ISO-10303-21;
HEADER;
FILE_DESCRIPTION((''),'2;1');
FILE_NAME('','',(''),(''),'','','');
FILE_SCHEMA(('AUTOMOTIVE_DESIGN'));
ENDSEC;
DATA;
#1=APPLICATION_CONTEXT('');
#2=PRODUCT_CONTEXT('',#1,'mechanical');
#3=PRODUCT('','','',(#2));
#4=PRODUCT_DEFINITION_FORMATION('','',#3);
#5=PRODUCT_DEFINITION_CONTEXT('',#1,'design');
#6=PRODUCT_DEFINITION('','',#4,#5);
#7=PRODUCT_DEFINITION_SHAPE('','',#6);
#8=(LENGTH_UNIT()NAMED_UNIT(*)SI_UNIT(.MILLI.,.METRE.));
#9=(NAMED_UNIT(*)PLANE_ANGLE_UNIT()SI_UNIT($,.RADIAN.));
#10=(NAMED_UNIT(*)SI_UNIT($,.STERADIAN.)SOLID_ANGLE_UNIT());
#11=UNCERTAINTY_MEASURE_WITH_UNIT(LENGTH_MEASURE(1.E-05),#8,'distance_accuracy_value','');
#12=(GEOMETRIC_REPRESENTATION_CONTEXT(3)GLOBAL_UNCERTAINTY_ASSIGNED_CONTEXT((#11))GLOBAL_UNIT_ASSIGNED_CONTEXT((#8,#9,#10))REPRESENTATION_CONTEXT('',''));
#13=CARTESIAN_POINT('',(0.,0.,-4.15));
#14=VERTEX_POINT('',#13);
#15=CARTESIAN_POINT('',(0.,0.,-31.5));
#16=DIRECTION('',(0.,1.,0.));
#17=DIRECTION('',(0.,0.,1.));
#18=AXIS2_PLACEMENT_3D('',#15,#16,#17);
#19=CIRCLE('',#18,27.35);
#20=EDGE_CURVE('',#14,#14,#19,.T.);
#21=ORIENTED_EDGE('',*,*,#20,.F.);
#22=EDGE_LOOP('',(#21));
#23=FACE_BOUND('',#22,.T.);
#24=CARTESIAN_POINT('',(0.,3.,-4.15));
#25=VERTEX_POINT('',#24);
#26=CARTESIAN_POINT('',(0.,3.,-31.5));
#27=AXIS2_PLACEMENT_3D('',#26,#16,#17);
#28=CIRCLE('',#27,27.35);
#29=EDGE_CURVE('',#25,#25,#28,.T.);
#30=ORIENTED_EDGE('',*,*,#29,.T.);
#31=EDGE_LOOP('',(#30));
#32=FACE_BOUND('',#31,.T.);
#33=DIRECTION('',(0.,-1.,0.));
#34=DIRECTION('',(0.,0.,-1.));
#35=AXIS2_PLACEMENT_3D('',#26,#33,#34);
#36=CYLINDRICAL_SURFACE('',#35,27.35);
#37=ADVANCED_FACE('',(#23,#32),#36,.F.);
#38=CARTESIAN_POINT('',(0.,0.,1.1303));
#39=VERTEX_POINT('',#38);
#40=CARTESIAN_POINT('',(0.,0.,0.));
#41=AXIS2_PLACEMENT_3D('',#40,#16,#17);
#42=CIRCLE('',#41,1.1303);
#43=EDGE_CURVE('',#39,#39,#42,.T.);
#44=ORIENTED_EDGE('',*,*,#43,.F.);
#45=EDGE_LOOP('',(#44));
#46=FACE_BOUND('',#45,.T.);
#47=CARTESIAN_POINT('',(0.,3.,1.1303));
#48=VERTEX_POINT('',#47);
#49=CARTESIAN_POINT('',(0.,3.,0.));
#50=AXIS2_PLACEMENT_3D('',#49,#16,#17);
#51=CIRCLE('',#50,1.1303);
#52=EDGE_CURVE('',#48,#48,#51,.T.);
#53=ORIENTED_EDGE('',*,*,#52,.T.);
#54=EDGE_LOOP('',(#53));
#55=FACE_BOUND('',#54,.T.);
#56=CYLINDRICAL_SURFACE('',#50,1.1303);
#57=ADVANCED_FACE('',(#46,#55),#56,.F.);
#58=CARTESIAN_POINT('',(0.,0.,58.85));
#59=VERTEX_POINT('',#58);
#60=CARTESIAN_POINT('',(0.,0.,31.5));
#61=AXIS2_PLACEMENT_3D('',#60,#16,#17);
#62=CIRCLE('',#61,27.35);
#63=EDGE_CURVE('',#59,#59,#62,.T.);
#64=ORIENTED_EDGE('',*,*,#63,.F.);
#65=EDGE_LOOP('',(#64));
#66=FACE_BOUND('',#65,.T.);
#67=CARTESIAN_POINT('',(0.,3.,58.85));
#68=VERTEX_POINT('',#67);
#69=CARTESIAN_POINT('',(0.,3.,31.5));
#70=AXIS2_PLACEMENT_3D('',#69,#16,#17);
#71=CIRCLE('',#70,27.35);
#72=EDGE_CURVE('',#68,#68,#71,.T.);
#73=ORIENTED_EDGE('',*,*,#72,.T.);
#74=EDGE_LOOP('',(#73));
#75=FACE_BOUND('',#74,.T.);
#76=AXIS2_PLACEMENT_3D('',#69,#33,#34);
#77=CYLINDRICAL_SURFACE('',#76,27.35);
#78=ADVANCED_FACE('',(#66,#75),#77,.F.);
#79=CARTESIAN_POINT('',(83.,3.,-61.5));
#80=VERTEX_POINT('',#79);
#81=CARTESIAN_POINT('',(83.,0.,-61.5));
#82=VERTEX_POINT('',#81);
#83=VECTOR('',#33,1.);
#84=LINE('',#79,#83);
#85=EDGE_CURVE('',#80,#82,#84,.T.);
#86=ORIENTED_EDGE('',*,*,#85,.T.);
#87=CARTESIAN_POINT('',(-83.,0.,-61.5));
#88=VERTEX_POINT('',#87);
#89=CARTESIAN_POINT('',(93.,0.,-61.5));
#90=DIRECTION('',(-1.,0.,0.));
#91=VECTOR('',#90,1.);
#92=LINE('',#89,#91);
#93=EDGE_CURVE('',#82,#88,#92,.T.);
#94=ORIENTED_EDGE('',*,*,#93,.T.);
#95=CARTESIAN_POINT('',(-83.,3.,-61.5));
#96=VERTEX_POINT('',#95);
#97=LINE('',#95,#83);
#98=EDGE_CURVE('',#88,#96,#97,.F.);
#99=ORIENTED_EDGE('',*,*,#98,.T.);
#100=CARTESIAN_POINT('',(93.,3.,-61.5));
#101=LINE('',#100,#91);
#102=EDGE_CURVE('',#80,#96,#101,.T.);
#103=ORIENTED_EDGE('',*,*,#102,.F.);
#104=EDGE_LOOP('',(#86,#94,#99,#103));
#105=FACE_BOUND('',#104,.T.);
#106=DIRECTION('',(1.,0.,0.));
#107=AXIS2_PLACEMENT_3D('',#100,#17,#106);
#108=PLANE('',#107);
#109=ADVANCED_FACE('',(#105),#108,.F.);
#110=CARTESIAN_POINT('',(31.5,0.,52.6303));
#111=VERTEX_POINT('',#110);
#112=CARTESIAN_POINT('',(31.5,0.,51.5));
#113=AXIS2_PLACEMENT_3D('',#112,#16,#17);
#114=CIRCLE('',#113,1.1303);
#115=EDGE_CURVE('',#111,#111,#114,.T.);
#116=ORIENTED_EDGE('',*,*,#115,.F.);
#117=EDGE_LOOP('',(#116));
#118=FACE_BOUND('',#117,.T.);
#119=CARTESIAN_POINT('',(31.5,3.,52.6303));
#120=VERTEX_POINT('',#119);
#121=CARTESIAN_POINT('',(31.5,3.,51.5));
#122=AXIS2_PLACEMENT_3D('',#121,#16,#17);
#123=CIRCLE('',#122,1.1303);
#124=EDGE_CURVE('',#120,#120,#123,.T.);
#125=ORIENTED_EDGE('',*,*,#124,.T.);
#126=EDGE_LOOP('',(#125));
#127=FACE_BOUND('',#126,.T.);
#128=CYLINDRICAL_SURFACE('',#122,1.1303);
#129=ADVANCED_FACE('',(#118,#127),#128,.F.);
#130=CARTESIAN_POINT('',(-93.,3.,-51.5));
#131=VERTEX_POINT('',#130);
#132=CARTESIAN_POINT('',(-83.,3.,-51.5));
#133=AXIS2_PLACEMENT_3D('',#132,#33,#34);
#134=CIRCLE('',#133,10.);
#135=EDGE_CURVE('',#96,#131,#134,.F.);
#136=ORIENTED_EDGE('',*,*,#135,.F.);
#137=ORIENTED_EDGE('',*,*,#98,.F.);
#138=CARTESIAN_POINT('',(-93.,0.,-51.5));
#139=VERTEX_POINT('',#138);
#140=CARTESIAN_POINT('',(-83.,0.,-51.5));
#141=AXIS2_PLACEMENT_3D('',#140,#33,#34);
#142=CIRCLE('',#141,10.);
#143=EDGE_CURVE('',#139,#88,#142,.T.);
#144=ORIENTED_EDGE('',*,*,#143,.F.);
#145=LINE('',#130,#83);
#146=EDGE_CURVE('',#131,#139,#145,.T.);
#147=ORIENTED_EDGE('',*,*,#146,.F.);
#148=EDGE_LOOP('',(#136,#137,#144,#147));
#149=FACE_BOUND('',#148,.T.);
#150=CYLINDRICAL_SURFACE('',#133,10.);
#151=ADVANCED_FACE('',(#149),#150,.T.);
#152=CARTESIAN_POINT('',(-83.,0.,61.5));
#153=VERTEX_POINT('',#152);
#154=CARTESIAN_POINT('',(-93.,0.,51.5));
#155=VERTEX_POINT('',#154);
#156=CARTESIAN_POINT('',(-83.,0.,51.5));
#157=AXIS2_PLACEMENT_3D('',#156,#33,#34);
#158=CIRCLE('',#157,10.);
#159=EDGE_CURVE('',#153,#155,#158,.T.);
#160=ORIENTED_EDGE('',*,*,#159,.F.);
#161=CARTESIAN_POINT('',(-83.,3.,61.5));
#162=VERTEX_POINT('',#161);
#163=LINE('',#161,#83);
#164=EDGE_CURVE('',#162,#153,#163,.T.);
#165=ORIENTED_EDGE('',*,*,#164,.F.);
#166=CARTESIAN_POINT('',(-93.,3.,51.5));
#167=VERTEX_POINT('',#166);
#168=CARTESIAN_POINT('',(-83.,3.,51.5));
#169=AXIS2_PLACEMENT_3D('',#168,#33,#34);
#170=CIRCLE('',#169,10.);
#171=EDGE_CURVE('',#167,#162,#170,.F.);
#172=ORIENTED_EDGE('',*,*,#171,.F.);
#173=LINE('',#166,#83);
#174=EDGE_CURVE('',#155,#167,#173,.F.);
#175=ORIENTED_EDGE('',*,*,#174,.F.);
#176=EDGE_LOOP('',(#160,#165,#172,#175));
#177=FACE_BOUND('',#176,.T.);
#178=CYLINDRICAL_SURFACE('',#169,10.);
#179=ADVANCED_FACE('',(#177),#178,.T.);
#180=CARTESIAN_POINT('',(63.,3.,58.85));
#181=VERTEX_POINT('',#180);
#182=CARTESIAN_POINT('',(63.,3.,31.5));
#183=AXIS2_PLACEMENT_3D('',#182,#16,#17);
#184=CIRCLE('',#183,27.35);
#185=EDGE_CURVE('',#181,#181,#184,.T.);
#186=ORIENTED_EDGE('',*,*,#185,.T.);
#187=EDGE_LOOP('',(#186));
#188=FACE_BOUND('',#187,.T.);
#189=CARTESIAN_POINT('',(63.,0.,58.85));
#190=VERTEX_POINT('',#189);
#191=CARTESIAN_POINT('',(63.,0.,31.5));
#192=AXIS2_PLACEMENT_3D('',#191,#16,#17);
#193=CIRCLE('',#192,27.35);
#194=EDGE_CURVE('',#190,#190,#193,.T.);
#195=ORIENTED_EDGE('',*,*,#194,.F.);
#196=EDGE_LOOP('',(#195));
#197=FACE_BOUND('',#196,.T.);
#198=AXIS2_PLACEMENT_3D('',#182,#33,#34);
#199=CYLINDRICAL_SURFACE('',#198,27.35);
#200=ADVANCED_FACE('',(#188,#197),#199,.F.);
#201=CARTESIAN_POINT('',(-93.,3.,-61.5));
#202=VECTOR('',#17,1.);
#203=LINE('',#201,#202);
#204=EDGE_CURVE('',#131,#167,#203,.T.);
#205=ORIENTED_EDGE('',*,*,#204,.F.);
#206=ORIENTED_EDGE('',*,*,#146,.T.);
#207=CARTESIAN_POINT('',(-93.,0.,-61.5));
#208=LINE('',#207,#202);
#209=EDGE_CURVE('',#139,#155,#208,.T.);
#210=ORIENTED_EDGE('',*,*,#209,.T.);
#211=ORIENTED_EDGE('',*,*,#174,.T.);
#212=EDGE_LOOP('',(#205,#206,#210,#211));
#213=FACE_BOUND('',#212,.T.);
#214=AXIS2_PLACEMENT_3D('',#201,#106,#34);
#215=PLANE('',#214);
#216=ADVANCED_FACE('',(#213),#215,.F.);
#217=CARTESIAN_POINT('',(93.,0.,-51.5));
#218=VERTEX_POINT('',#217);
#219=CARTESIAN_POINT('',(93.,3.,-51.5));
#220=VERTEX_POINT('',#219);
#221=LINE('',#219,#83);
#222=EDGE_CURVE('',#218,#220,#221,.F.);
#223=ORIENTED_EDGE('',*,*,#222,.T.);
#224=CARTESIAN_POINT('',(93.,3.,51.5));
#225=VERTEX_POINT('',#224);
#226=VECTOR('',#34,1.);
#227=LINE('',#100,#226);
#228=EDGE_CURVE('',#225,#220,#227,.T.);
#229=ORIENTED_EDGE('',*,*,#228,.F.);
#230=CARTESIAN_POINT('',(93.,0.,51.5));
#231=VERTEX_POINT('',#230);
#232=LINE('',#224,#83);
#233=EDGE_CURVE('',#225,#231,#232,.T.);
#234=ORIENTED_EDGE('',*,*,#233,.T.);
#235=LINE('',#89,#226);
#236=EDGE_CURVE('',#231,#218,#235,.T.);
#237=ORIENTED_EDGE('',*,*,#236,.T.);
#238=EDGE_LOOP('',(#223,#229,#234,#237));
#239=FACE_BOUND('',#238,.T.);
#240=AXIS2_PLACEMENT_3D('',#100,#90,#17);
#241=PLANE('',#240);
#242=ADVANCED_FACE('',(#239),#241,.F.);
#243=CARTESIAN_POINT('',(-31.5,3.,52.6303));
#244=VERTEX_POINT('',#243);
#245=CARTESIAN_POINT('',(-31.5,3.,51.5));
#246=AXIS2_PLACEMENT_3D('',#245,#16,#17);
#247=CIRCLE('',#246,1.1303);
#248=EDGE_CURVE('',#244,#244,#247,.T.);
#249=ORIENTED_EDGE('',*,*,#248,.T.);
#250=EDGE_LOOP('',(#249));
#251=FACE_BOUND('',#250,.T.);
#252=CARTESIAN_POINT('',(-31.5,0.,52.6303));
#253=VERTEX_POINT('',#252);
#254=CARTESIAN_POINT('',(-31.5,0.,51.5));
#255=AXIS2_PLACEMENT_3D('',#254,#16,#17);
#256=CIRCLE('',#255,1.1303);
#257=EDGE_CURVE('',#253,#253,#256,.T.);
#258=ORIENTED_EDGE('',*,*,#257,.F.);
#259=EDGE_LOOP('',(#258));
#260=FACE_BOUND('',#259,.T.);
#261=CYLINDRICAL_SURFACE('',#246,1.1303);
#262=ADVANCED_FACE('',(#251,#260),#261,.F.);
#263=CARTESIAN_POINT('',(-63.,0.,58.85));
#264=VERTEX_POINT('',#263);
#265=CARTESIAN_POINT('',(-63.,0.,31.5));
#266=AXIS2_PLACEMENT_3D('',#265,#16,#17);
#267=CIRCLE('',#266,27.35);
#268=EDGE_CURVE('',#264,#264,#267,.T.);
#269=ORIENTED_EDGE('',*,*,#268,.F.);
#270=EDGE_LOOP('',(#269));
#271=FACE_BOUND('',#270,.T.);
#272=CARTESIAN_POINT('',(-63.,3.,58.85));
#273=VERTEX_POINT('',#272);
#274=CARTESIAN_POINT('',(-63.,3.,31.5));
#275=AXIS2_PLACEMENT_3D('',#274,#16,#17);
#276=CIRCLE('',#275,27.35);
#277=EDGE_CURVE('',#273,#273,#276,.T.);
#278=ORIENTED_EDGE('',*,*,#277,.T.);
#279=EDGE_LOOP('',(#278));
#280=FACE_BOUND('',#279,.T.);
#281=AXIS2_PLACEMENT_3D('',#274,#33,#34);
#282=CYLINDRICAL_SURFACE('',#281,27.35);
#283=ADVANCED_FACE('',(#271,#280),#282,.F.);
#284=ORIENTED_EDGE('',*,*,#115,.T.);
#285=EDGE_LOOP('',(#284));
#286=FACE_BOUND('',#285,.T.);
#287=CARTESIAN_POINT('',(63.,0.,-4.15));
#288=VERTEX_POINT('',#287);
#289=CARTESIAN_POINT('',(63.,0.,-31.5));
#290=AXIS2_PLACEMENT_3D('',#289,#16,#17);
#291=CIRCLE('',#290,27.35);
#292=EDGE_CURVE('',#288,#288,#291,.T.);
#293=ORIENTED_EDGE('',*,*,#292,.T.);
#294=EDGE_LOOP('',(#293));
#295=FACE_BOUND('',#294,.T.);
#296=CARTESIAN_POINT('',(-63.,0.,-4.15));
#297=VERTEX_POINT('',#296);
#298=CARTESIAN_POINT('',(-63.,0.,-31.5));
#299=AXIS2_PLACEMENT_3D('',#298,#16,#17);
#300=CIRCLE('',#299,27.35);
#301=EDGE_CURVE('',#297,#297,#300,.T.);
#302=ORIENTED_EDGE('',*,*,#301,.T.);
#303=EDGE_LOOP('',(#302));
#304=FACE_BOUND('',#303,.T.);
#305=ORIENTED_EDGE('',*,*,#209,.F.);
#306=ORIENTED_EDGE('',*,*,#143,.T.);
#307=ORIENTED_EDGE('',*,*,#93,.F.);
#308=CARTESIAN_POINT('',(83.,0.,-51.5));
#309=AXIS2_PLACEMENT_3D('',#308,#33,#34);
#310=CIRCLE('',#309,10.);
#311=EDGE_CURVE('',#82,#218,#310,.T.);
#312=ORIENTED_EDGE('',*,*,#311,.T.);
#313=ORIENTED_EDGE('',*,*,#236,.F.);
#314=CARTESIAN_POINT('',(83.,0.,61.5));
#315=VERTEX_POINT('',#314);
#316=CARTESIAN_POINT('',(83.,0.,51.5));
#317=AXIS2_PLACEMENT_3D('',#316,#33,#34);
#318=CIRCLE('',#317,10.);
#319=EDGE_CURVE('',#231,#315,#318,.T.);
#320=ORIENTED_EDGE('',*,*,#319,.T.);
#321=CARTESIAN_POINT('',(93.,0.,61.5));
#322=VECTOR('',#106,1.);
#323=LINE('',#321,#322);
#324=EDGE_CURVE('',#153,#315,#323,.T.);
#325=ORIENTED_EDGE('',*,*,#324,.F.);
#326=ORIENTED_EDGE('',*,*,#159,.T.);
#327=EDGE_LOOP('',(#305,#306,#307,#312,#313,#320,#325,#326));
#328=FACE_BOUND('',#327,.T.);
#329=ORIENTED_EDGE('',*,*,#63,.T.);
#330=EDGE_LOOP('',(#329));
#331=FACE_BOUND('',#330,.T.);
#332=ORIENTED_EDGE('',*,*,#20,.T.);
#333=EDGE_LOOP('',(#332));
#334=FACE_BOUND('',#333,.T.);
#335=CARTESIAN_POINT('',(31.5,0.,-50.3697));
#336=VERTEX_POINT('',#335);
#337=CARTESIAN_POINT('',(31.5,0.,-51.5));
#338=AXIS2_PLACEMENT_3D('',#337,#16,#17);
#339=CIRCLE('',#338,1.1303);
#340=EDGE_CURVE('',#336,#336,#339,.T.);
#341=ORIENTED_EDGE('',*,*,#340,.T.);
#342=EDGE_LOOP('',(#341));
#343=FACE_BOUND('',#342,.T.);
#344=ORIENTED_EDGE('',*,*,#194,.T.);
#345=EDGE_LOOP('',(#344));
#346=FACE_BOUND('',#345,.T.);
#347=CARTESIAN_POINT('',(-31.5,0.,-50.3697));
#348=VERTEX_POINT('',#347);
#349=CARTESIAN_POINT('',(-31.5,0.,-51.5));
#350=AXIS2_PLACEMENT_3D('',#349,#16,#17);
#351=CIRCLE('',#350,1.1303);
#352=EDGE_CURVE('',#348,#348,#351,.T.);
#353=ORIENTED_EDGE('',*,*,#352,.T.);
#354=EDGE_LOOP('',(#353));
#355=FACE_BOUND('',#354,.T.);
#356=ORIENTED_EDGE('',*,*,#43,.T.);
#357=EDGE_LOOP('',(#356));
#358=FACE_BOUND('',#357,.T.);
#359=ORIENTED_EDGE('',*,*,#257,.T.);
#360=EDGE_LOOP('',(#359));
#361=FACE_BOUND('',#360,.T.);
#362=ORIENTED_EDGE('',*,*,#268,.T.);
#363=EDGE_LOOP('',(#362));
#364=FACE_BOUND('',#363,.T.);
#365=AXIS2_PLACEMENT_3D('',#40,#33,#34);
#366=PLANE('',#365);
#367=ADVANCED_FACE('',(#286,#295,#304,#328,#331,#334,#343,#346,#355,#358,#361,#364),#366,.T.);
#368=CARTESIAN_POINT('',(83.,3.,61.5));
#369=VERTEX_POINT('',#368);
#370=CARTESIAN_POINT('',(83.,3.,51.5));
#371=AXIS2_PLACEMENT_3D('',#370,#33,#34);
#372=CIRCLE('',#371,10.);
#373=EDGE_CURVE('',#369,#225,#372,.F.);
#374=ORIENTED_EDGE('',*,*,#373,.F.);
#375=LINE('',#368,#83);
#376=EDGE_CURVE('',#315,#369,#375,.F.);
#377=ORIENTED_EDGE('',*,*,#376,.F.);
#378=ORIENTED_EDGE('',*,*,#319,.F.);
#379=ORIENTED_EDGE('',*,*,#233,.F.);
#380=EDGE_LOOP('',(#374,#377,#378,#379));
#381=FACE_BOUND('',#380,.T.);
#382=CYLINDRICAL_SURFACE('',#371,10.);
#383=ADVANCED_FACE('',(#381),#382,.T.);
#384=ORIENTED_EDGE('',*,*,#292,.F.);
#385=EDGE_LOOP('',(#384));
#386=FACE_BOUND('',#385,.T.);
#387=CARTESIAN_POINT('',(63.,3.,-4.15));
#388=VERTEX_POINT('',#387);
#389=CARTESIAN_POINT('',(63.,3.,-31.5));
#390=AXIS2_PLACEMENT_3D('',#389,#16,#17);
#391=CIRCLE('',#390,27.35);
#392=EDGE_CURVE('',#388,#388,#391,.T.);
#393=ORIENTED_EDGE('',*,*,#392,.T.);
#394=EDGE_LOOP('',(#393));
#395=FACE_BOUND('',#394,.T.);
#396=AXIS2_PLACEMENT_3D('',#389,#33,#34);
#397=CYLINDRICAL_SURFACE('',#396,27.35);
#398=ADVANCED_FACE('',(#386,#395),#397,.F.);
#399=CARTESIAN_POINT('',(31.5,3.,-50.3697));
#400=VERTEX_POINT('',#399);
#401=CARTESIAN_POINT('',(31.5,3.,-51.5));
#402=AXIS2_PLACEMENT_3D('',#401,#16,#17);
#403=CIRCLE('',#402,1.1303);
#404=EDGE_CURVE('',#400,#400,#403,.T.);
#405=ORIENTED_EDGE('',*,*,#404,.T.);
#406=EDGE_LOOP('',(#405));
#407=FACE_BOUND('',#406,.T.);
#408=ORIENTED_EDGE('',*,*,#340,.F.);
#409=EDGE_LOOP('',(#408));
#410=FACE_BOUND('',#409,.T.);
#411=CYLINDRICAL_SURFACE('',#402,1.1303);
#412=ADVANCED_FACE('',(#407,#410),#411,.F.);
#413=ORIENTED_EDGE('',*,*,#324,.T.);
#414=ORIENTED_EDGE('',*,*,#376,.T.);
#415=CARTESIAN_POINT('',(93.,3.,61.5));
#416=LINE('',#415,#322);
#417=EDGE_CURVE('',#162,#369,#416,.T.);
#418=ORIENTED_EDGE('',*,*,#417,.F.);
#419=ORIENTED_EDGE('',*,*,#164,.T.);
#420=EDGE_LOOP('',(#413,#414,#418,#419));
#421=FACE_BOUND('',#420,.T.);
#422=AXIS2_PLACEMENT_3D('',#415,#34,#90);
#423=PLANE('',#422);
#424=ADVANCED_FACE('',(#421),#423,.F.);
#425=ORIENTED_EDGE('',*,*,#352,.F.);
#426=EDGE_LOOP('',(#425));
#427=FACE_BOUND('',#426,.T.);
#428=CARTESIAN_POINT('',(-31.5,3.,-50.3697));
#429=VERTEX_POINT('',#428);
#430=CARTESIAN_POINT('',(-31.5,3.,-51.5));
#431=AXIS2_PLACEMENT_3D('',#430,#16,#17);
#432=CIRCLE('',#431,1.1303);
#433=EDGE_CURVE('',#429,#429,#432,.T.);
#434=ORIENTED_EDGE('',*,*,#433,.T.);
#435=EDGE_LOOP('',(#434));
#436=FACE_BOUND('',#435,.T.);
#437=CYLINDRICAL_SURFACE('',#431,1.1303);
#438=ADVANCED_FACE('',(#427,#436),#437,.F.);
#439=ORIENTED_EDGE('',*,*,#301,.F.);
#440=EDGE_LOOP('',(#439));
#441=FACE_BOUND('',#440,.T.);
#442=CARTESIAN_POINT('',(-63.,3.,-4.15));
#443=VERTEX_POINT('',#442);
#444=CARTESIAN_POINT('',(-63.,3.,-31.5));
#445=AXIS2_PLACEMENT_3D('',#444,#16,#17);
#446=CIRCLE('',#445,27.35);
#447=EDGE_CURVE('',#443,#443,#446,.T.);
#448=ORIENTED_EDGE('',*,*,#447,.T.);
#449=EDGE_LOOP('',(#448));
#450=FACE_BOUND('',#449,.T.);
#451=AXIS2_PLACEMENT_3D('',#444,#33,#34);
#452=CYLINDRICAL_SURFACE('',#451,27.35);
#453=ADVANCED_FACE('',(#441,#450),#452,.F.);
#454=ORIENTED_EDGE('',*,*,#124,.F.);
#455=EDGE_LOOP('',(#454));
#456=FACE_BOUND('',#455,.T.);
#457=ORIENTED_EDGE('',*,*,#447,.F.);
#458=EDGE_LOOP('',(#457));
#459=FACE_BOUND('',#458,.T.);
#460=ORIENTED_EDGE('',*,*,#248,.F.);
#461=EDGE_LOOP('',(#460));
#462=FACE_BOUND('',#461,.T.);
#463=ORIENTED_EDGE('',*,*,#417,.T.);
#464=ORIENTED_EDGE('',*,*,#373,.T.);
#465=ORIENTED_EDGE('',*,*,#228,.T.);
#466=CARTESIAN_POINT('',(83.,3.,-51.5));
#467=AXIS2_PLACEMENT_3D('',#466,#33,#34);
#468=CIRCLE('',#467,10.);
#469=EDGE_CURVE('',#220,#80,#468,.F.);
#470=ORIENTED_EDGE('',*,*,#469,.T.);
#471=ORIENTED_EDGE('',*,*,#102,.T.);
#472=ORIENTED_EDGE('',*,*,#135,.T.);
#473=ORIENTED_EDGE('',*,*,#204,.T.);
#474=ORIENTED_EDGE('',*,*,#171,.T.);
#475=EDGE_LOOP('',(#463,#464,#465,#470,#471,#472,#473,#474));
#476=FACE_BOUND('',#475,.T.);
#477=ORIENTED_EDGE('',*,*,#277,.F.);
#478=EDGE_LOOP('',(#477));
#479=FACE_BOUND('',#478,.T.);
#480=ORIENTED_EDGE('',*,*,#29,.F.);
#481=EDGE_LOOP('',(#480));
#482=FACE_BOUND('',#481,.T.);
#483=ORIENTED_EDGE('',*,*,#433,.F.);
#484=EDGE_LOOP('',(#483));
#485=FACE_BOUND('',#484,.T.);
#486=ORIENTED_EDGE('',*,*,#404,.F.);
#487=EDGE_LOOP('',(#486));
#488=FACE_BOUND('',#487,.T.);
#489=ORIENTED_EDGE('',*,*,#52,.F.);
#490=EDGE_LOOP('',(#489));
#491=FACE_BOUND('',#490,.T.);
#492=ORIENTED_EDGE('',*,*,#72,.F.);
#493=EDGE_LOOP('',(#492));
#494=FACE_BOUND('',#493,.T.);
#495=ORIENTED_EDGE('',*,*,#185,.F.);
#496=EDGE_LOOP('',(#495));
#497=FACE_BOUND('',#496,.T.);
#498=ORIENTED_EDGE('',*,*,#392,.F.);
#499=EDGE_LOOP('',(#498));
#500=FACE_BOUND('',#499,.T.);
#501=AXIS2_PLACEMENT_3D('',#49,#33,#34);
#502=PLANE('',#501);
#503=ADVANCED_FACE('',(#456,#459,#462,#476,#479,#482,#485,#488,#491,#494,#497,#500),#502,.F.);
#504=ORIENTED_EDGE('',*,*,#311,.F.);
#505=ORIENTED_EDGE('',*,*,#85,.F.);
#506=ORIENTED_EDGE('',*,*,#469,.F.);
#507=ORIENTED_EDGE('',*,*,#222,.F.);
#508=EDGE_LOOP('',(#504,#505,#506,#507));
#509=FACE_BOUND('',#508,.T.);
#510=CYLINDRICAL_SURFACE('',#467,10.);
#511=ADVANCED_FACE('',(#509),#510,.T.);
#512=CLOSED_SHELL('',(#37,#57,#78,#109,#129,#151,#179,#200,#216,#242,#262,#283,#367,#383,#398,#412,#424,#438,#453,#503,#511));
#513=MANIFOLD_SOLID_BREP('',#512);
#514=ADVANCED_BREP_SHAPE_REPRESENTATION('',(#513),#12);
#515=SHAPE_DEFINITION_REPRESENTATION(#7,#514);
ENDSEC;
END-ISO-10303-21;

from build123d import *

# Parameters (mm, degrees)
SKETCH1_W                 = 186
SKETCH1_H                 = 123
SKETCH1_R                 = 27.35
BOSS_EXTRUDE1_DEPTH       = 3
FILLET1_R                 = 10
TAP_DRILL_FOR_4_40_TAP1_D = 2.2606


with BuildPart() as part:
    # Sketch1 → Boss-Extrude1 (new body)
    with BuildSketch(Plane(origin=(0, 0, 0), x_dir=(1, 0, 0), z_dir=(0, 1, 0))):
        Rectangle(SKETCH1_W, SKETCH1_H)
        with Locations(Location((-63, 31.5, 0), (0, 0, 270))):
            Circle(SKETCH1_R, mode=Mode.SUBTRACT)
        with Locations(Location((0, 31.5, 0), (0, 0, 270))):
            Circle(SKETCH1_R, mode=Mode.SUBTRACT)
        with Locations(Location((63, 31.5, 0), (0, 0, 270))):
            Circle(SKETCH1_R, mode=Mode.SUBTRACT)
        with Locations(Location((0, -31.5, 0), (0, 0, 270))):
            Circle(SKETCH1_R, mode=Mode.SUBTRACT)
        with Locations(Location((63, -31.5, 0), (0, 0, 270))):
            Circle(SKETCH1_R, mode=Mode.SUBTRACT)
        with Locations(Location((-63, -31.5, 0), (0, 0, 270))):
            Circle(SKETCH1_R, mode=Mode.SUBTRACT)
    extrude(amount=BOSS_EXTRUDE1_DEPTH)

    # Fillet1
    fillet1_edges = [part.edges().sort_by_distance(p)[0] for p in [
        (-93, 1.5, -61.5),
        (93, 1.5, -61.5),
        (93, 1.5, 61.5),
        (-93, 1.5, 61.5),
    ]]
    fillet(fillet1_edges, radius=FILLET1_R)

    # Tap Drill for #4-40 Tap1 (through all)
    with Locations(Plane(origin=(0, 3, 0), x_dir=(1, 0, 0), z_dir=(0, 1, 0))):
        with Locations((0, 0), (31.5, 51.5), (-31.5, 51.5), (-31.5, -51.5), (31.5, -51.5)):
            Hole(TAP_DRILL_FOR_4_40_TAP1_D / 2)


solid = part.part
